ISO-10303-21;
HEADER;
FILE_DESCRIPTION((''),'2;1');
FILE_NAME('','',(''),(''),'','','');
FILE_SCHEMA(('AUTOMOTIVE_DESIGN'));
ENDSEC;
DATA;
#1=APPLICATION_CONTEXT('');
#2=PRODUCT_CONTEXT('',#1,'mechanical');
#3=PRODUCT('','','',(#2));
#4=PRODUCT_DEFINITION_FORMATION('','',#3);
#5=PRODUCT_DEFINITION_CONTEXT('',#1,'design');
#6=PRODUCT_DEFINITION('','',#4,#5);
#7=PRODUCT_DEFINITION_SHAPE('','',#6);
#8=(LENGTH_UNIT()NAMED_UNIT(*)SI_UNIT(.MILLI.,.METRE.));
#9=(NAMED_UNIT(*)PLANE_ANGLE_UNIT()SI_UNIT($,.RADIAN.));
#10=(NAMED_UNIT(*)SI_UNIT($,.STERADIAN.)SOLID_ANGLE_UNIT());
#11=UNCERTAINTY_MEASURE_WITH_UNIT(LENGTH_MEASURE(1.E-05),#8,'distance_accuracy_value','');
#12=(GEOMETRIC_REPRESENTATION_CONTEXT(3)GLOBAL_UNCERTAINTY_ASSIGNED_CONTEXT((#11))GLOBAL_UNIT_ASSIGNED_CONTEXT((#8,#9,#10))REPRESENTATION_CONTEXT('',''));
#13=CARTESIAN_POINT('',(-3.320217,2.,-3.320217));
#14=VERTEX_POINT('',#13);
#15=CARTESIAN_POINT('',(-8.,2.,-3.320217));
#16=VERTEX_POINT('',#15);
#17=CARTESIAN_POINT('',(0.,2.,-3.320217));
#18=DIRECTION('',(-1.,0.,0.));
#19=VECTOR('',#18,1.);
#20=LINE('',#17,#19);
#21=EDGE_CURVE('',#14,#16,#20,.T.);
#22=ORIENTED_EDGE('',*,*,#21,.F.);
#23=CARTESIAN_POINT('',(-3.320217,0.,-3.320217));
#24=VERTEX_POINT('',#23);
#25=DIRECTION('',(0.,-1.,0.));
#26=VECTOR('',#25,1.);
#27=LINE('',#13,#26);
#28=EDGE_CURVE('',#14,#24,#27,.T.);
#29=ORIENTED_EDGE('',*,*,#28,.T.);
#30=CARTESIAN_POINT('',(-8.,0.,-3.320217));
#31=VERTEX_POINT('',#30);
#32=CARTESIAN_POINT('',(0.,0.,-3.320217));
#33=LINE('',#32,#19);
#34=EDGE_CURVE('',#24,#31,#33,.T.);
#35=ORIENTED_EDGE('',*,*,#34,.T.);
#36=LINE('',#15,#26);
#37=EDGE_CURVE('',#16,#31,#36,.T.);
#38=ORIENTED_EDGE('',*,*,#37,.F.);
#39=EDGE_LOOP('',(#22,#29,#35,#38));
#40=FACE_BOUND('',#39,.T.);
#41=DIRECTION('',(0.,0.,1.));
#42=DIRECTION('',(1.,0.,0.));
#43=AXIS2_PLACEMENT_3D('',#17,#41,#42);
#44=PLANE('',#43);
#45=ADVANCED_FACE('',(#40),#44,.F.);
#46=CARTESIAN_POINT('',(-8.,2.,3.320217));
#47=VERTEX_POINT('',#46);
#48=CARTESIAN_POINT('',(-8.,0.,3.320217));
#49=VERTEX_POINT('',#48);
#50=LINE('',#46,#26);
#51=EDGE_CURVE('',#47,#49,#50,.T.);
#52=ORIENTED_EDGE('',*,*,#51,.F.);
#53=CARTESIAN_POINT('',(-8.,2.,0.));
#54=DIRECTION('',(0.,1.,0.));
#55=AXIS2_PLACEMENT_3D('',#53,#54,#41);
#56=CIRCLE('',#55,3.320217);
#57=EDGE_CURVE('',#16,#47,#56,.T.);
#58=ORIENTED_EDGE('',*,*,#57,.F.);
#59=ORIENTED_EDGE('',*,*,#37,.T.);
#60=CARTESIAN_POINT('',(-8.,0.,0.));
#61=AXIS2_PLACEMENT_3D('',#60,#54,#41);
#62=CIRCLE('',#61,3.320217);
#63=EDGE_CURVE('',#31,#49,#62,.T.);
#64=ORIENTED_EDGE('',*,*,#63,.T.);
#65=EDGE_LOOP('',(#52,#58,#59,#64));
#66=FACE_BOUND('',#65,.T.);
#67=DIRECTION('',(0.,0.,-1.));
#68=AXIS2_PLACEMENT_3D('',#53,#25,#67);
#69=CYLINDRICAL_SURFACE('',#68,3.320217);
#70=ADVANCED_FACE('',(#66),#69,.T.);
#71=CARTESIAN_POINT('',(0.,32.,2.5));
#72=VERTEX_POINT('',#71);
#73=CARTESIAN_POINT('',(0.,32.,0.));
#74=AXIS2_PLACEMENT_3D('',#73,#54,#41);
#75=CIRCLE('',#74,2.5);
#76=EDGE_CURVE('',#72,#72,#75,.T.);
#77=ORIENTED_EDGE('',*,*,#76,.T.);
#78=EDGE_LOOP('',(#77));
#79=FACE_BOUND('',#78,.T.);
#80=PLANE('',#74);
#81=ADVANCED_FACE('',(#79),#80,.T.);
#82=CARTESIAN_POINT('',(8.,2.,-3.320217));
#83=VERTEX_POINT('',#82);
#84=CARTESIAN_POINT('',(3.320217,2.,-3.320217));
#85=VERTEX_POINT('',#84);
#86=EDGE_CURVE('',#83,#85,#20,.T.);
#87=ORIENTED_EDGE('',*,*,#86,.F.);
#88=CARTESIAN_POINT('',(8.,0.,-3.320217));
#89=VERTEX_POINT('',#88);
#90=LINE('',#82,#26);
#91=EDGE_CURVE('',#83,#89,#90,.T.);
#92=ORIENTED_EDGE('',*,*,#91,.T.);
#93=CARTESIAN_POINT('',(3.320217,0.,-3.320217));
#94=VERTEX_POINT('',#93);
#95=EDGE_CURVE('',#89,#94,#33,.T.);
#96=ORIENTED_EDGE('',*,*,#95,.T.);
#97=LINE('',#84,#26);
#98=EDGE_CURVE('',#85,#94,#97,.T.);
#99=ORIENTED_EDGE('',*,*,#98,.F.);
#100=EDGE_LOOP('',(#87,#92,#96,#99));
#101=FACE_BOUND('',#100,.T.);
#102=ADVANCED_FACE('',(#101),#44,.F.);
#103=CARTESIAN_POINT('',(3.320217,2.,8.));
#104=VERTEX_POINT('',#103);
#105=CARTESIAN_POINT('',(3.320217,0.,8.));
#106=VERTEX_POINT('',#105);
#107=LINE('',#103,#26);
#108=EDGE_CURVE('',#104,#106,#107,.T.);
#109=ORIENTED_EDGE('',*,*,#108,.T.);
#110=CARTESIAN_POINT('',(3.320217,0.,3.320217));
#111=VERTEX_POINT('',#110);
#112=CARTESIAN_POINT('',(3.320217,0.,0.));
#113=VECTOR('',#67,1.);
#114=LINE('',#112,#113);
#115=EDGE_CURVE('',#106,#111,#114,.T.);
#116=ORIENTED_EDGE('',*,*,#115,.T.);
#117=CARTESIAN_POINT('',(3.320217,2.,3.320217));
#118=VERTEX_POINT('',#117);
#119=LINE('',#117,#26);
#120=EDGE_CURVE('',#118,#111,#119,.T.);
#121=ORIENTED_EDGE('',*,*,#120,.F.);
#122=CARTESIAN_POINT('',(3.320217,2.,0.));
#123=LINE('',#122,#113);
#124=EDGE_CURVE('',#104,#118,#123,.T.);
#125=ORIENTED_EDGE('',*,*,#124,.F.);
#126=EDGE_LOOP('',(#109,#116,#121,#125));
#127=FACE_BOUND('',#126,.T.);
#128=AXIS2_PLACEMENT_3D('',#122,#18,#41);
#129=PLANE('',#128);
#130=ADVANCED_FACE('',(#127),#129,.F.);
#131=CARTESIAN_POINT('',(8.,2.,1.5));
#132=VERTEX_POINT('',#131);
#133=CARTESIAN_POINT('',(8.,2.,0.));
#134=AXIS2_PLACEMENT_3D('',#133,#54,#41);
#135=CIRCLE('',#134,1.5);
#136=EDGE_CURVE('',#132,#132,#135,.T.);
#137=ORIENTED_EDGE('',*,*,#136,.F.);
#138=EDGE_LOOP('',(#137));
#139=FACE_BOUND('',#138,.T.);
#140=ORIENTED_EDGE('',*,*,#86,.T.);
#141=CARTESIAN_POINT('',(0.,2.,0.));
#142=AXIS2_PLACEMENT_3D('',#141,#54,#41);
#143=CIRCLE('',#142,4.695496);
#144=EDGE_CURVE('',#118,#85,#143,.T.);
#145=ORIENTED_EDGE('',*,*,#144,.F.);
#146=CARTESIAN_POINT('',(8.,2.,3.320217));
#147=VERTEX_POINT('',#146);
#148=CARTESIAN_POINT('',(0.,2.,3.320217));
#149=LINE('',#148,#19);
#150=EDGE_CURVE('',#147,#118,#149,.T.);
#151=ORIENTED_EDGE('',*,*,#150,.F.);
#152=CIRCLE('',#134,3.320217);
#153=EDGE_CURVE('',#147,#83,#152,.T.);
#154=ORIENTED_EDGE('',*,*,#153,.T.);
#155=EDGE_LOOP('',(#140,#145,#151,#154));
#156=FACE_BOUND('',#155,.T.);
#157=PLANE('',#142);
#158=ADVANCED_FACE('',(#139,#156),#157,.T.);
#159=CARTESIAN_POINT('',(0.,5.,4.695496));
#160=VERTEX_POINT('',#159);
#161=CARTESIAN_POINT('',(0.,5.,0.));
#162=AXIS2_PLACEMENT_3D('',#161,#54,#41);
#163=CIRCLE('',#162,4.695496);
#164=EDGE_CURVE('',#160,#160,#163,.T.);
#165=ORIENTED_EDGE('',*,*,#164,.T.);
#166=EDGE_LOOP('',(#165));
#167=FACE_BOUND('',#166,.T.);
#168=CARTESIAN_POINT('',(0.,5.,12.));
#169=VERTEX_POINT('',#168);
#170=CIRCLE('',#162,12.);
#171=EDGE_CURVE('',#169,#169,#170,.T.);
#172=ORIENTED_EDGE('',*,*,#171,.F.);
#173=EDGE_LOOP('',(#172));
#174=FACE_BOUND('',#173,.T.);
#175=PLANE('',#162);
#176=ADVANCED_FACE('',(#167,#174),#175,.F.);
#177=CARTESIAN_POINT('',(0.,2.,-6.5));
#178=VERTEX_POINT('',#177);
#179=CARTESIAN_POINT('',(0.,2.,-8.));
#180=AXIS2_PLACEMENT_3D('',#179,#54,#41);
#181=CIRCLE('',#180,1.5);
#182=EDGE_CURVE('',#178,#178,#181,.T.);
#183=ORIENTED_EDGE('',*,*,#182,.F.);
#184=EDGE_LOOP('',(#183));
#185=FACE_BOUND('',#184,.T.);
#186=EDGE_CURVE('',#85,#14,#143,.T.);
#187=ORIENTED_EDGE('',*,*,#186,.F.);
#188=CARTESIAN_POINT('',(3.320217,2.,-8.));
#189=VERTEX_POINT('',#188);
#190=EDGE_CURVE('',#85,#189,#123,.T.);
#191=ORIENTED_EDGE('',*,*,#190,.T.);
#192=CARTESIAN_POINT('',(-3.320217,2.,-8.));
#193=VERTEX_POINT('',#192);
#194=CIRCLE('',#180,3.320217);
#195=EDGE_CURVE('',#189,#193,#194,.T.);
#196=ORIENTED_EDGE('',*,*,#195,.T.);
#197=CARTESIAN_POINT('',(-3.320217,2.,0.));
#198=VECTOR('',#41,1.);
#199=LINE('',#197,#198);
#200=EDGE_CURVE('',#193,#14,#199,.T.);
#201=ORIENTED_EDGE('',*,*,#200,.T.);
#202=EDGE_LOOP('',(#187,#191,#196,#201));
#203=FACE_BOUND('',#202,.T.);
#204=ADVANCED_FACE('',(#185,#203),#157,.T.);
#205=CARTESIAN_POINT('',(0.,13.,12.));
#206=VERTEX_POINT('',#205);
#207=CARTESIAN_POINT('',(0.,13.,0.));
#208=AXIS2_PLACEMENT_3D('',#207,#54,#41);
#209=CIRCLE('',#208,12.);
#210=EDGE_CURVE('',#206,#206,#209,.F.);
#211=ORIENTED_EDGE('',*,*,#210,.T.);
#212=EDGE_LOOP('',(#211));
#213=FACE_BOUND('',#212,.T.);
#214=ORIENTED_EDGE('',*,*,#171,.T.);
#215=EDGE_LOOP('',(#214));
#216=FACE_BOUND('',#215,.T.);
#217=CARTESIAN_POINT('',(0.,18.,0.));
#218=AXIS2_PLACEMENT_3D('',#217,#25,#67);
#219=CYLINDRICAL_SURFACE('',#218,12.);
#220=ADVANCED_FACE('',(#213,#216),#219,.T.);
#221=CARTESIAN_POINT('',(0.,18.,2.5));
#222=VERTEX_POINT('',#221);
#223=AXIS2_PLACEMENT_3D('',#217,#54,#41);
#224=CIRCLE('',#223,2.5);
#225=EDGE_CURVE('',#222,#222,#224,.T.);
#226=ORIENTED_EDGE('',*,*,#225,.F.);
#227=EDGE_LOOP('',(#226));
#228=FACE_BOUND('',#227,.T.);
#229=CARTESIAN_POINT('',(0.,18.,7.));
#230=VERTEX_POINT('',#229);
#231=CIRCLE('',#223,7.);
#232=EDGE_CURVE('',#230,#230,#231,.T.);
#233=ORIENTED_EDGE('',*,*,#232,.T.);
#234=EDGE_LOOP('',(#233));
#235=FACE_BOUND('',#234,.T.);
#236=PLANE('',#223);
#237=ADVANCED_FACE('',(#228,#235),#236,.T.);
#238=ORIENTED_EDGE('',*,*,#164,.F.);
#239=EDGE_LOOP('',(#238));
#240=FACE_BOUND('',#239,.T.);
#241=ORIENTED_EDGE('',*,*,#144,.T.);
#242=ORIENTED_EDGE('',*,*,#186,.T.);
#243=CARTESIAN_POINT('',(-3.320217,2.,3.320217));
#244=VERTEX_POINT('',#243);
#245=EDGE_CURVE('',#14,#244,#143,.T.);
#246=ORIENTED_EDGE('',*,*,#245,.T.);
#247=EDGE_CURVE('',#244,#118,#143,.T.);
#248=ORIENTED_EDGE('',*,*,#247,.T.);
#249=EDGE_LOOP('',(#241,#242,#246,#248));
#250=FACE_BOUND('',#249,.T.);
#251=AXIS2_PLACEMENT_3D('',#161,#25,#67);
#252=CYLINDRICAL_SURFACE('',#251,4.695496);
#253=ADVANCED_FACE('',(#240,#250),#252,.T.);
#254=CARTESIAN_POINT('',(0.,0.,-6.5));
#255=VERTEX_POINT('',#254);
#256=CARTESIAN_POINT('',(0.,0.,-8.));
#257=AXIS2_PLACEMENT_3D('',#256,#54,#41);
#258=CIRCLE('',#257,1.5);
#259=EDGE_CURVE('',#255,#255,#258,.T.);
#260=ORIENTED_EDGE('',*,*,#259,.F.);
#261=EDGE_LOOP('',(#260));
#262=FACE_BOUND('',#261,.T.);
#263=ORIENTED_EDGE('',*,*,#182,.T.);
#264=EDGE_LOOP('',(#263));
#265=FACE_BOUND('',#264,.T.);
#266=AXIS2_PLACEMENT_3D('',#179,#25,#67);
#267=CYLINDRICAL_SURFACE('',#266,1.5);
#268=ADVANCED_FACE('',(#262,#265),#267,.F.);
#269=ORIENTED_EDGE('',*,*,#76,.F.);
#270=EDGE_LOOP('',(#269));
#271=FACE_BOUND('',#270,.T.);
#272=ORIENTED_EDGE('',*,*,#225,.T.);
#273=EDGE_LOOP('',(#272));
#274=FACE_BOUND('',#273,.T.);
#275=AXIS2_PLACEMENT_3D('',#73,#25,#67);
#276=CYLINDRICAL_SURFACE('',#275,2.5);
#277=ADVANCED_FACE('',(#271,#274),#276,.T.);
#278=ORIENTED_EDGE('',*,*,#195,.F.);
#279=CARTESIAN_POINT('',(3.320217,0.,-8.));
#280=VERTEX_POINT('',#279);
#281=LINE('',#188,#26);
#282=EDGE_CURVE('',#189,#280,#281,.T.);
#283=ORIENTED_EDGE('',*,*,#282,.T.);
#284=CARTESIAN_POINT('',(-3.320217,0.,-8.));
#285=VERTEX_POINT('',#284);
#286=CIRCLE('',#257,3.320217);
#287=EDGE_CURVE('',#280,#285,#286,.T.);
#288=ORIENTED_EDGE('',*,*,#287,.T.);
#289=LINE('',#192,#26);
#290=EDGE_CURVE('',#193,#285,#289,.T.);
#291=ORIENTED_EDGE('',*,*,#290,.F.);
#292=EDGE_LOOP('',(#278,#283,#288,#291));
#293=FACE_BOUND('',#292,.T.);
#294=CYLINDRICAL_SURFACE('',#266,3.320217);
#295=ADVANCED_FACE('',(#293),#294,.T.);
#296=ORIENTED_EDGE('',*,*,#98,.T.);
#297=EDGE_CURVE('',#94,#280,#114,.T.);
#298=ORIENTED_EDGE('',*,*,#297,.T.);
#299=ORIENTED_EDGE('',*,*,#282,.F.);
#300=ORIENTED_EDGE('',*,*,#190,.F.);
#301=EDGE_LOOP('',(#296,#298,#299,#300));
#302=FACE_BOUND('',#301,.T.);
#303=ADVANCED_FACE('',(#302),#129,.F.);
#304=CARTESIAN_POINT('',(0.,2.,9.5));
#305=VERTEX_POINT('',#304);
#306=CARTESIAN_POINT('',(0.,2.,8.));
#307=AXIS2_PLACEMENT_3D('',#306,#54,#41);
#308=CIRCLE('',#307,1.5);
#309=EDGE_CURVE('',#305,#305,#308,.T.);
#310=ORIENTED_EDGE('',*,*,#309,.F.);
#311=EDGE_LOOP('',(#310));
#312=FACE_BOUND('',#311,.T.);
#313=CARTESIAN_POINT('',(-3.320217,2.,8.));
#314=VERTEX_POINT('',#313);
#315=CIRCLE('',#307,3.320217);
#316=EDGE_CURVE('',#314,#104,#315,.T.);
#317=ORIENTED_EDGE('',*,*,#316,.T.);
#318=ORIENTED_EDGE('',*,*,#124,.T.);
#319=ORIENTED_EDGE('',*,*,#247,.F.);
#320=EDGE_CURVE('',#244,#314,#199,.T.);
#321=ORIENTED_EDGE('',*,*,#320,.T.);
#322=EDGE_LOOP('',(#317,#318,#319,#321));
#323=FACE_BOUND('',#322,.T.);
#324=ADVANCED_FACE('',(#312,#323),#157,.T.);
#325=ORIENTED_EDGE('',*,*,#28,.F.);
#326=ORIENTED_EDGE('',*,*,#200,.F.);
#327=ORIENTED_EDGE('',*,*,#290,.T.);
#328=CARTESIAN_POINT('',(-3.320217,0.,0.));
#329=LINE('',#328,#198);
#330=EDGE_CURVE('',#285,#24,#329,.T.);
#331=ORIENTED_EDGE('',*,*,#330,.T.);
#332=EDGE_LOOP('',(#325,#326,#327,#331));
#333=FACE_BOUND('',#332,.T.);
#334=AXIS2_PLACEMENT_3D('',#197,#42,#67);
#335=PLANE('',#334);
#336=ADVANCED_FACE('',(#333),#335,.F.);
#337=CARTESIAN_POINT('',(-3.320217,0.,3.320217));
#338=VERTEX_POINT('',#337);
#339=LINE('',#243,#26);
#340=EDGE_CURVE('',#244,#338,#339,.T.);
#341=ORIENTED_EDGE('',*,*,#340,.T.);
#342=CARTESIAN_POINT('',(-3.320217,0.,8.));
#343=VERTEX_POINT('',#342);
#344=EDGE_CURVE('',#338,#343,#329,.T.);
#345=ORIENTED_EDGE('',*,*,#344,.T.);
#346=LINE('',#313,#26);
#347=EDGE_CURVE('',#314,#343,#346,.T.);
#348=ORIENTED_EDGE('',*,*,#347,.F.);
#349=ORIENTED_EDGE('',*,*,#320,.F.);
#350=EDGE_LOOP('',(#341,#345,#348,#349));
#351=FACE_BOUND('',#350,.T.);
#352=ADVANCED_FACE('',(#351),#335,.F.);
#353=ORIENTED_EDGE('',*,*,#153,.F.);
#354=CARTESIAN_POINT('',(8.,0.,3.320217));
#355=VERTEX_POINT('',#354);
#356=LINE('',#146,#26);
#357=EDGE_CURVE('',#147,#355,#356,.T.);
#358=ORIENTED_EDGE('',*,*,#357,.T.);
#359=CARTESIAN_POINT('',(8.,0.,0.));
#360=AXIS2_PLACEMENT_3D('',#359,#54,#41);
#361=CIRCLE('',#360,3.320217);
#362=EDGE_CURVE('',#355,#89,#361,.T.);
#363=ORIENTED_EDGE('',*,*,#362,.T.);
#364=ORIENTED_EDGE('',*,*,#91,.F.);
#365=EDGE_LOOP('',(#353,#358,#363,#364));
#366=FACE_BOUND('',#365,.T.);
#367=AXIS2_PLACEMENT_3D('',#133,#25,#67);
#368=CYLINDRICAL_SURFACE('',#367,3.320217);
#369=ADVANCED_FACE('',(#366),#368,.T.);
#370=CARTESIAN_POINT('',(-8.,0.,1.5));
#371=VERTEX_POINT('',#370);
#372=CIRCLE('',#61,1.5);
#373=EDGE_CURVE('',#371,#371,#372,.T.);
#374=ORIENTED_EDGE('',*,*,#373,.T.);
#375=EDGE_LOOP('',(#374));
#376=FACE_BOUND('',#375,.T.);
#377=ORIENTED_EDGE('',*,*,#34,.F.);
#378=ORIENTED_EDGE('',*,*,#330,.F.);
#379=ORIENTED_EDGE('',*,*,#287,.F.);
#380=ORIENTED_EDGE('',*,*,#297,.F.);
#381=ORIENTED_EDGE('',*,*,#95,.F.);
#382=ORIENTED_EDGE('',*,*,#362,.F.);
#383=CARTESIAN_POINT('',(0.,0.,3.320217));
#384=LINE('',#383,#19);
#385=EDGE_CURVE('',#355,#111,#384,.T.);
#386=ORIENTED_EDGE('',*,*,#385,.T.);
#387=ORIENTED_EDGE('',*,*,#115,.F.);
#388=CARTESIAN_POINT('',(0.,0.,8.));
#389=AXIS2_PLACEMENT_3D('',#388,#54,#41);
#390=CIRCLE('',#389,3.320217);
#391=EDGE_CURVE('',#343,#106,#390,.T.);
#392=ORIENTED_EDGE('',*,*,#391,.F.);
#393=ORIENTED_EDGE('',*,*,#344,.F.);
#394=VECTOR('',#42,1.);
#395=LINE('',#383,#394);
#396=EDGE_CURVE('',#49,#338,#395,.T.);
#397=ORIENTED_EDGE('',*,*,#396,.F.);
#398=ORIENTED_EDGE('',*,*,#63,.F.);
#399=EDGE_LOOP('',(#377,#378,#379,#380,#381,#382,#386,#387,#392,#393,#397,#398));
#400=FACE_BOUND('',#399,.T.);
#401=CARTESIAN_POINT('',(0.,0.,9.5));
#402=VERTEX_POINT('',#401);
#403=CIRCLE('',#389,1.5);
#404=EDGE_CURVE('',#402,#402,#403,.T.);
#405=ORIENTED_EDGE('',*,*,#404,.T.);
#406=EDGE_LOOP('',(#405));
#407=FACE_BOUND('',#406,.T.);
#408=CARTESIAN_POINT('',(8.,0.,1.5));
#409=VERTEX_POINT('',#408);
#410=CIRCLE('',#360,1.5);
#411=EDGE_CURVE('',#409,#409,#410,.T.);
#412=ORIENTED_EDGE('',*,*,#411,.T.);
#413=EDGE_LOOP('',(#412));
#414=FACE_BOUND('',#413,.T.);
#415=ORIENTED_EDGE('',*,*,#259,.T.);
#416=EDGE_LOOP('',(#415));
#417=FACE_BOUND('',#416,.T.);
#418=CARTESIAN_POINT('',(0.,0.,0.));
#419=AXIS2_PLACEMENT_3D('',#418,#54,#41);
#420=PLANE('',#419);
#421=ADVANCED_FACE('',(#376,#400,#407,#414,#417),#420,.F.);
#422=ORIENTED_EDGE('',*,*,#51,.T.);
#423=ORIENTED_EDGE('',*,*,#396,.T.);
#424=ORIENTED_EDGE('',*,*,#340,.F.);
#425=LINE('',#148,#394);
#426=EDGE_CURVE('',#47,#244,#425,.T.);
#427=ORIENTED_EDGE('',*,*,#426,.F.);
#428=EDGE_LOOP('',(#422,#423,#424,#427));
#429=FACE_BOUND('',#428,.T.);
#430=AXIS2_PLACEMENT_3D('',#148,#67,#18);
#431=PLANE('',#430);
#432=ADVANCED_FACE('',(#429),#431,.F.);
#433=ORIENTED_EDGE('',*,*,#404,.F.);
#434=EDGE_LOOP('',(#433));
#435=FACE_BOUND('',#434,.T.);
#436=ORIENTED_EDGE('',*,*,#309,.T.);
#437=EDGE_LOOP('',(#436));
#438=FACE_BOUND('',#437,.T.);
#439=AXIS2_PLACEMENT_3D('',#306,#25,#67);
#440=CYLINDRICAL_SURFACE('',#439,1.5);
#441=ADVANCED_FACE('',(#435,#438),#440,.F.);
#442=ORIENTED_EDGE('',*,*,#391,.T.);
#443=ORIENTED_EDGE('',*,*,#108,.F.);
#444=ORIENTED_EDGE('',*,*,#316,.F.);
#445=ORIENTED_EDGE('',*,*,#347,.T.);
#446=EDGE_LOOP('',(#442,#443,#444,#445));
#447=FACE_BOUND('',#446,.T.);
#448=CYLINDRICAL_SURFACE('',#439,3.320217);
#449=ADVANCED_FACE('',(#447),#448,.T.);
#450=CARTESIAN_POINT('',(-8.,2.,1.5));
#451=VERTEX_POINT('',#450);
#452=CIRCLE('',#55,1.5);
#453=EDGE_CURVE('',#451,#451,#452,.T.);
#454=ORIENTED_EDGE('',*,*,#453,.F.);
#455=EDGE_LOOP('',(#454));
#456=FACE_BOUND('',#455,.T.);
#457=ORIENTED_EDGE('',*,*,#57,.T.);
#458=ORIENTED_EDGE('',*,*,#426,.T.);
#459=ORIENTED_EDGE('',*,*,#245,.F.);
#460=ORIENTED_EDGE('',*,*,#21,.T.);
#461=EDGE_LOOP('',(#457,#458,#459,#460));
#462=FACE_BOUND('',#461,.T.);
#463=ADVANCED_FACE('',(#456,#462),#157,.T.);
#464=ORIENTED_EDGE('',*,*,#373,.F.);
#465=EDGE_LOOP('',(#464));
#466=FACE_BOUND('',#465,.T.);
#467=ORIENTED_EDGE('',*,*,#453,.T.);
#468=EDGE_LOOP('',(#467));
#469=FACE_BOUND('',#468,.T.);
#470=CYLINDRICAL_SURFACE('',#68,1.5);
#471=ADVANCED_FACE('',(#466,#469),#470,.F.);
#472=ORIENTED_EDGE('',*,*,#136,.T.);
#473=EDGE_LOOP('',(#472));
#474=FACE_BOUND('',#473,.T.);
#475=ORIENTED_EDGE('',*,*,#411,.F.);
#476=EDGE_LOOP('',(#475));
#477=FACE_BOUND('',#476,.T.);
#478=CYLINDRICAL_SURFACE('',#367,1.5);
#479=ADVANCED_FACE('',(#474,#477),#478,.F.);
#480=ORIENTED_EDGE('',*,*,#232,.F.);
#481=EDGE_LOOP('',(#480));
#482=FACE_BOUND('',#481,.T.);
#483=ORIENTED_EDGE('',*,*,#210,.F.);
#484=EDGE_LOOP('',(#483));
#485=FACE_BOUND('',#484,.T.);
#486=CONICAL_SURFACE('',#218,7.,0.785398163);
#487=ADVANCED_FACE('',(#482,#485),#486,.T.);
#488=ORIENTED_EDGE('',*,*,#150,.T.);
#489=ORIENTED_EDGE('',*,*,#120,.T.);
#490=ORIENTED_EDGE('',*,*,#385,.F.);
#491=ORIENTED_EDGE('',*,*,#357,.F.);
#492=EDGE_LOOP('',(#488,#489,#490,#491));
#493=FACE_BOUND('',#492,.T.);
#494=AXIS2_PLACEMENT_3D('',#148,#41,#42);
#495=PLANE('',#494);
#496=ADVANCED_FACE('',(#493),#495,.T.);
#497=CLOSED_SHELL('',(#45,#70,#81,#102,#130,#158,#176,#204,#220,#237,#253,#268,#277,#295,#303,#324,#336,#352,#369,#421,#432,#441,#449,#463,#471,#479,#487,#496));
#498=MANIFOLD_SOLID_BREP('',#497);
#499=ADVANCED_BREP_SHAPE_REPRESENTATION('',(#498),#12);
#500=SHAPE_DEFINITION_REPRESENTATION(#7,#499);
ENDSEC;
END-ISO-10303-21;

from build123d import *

# Parameters (mm, degrees)
SKETCH_1_R      = 1.5
EXTRUDE_1_DEPTH = 2
SKETCH_2_R      = 4.695496225
EXTRUDE_2_DEPTH = 3
SKETCH_3_R      = 12
EXTRUDE_3_DEPTH = 13
CHAMFER_1_SIZE  = 5
SKETCH_4_R      = 2.5
EXTRUDE_4_DEPTH = 14


with BuildPart() as part:
    # 草图1 → 凸台-拉伸1 (new body)
    with BuildSketch(Plane(origin=(0, 0, 0), x_dir=(1, 0, 0), z_dir=(0, 1, 0))):
        with BuildLine():
            Line((-3.320217222, -4.320217222), (-3.320217222, -8))
            ThreePointArc((-3.320217222, -8), (0, -11.320217222), (3.320217222, -8))
            Line((3.320217222, -8), (3.320217222, -4.320217222))
            Line((3.320217222, -4.320217222), (3.320217222, -3.320217222))
            Line((3.320217222, -3.320217222), (4.320217222, -3.320217222))
            Line((4.320217222, -3.320217222), (8, -3.320217222))
            ThreePointArc((8, -3.320217222), (11.320217222, 0), (8, 3.320217222))
            Line((8, 3.320217222), (4.320217222, 3.320217222))
            Line((4.320217222, 3.320217222), (3.320217222, 3.320217222))
            Line((3.320217222, 3.320217222), (3.320217222, 4.320217222))
            Line((3.320217222, 4.320217222), (3.320217222, 8))
            ThreePointArc((3.320217222, 8), (0, 11.320217222), (-3.320217222, 8))
            Line((-3.320217222, 8), (-3.320217222, 4.320217222))
            Line((-3.320217222, 4.320217222), (-3.320217222, 3.320217222))
            Line((-3.320217222, 3.320217222), (-4.320217222, 3.320217222))
            Line((-4.320217222, 3.320217222), (-8, 3.320217222))
            ThreePointArc((-8, 3.320217222), (-11.320217222, 0), (-8, -3.320217222))
            Line((-8, -3.320217222), (-4.320217222, -3.320217222))
            Line((-4.320217222, -3.320217222), (-3.320217222, -3.320217222))
            Line((-3.320217222, -3.320217222), (-3.320217222, -4.320217222))
        make_face()
        with Locations((0, -8)):
            Circle(SKETCH_1_R, mode=Mode.SUBTRACT)
        with Locations((8, 0)):
            Circle(SKETCH_1_R, mode=Mode.SUBTRACT)
        with Locations((-8, 0)):
            Circle(SKETCH_1_R, mode=Mode.SUBTRACT)
        with Locations((0, 8)):
            Circle(SKETCH_1_R, mode=Mode.SUBTRACT)
    extrude(amount=EXTRUDE_1_DEPTH)

    # 草图2 → 凸台-拉伸2 (add)
    with BuildSketch(Plane(origin=(0, 2, 0), x_dir=(1, 0, 0), z_dir=(0, 1, 0))):
        Circle(SKETCH_2_R)
    extrude(amount=EXTRUDE_2_DEPTH)

    # 草图3 → 凸台-拉伸3 (add)
    with BuildSketch(Plane(origin=(0, 5, 0), x_dir=(1, 0, 0), z_dir=(0, 1, 0))):
        Circle(SKETCH_3_R)
    extrude(amount=EXTRUDE_3_DEPTH)

    # 倒角1
    chamfer_1_edges = [part.edges().sort_by_distance(p)[0] for p in [
        (-12, 18, 0),
    ]]
    chamfer(chamfer_1_edges, length=CHAMFER_1_SIZE)

    # 草图4 → 凸台-拉伸4 (add)
    with BuildSketch(Plane(origin=(0, 18, 0), x_dir=(1, 0, 0), z_dir=(0, 1, 0))):
        Circle(SKETCH_4_R)
    extrude(amount=EXTRUDE_4_DEPTH)


solid = part.part
